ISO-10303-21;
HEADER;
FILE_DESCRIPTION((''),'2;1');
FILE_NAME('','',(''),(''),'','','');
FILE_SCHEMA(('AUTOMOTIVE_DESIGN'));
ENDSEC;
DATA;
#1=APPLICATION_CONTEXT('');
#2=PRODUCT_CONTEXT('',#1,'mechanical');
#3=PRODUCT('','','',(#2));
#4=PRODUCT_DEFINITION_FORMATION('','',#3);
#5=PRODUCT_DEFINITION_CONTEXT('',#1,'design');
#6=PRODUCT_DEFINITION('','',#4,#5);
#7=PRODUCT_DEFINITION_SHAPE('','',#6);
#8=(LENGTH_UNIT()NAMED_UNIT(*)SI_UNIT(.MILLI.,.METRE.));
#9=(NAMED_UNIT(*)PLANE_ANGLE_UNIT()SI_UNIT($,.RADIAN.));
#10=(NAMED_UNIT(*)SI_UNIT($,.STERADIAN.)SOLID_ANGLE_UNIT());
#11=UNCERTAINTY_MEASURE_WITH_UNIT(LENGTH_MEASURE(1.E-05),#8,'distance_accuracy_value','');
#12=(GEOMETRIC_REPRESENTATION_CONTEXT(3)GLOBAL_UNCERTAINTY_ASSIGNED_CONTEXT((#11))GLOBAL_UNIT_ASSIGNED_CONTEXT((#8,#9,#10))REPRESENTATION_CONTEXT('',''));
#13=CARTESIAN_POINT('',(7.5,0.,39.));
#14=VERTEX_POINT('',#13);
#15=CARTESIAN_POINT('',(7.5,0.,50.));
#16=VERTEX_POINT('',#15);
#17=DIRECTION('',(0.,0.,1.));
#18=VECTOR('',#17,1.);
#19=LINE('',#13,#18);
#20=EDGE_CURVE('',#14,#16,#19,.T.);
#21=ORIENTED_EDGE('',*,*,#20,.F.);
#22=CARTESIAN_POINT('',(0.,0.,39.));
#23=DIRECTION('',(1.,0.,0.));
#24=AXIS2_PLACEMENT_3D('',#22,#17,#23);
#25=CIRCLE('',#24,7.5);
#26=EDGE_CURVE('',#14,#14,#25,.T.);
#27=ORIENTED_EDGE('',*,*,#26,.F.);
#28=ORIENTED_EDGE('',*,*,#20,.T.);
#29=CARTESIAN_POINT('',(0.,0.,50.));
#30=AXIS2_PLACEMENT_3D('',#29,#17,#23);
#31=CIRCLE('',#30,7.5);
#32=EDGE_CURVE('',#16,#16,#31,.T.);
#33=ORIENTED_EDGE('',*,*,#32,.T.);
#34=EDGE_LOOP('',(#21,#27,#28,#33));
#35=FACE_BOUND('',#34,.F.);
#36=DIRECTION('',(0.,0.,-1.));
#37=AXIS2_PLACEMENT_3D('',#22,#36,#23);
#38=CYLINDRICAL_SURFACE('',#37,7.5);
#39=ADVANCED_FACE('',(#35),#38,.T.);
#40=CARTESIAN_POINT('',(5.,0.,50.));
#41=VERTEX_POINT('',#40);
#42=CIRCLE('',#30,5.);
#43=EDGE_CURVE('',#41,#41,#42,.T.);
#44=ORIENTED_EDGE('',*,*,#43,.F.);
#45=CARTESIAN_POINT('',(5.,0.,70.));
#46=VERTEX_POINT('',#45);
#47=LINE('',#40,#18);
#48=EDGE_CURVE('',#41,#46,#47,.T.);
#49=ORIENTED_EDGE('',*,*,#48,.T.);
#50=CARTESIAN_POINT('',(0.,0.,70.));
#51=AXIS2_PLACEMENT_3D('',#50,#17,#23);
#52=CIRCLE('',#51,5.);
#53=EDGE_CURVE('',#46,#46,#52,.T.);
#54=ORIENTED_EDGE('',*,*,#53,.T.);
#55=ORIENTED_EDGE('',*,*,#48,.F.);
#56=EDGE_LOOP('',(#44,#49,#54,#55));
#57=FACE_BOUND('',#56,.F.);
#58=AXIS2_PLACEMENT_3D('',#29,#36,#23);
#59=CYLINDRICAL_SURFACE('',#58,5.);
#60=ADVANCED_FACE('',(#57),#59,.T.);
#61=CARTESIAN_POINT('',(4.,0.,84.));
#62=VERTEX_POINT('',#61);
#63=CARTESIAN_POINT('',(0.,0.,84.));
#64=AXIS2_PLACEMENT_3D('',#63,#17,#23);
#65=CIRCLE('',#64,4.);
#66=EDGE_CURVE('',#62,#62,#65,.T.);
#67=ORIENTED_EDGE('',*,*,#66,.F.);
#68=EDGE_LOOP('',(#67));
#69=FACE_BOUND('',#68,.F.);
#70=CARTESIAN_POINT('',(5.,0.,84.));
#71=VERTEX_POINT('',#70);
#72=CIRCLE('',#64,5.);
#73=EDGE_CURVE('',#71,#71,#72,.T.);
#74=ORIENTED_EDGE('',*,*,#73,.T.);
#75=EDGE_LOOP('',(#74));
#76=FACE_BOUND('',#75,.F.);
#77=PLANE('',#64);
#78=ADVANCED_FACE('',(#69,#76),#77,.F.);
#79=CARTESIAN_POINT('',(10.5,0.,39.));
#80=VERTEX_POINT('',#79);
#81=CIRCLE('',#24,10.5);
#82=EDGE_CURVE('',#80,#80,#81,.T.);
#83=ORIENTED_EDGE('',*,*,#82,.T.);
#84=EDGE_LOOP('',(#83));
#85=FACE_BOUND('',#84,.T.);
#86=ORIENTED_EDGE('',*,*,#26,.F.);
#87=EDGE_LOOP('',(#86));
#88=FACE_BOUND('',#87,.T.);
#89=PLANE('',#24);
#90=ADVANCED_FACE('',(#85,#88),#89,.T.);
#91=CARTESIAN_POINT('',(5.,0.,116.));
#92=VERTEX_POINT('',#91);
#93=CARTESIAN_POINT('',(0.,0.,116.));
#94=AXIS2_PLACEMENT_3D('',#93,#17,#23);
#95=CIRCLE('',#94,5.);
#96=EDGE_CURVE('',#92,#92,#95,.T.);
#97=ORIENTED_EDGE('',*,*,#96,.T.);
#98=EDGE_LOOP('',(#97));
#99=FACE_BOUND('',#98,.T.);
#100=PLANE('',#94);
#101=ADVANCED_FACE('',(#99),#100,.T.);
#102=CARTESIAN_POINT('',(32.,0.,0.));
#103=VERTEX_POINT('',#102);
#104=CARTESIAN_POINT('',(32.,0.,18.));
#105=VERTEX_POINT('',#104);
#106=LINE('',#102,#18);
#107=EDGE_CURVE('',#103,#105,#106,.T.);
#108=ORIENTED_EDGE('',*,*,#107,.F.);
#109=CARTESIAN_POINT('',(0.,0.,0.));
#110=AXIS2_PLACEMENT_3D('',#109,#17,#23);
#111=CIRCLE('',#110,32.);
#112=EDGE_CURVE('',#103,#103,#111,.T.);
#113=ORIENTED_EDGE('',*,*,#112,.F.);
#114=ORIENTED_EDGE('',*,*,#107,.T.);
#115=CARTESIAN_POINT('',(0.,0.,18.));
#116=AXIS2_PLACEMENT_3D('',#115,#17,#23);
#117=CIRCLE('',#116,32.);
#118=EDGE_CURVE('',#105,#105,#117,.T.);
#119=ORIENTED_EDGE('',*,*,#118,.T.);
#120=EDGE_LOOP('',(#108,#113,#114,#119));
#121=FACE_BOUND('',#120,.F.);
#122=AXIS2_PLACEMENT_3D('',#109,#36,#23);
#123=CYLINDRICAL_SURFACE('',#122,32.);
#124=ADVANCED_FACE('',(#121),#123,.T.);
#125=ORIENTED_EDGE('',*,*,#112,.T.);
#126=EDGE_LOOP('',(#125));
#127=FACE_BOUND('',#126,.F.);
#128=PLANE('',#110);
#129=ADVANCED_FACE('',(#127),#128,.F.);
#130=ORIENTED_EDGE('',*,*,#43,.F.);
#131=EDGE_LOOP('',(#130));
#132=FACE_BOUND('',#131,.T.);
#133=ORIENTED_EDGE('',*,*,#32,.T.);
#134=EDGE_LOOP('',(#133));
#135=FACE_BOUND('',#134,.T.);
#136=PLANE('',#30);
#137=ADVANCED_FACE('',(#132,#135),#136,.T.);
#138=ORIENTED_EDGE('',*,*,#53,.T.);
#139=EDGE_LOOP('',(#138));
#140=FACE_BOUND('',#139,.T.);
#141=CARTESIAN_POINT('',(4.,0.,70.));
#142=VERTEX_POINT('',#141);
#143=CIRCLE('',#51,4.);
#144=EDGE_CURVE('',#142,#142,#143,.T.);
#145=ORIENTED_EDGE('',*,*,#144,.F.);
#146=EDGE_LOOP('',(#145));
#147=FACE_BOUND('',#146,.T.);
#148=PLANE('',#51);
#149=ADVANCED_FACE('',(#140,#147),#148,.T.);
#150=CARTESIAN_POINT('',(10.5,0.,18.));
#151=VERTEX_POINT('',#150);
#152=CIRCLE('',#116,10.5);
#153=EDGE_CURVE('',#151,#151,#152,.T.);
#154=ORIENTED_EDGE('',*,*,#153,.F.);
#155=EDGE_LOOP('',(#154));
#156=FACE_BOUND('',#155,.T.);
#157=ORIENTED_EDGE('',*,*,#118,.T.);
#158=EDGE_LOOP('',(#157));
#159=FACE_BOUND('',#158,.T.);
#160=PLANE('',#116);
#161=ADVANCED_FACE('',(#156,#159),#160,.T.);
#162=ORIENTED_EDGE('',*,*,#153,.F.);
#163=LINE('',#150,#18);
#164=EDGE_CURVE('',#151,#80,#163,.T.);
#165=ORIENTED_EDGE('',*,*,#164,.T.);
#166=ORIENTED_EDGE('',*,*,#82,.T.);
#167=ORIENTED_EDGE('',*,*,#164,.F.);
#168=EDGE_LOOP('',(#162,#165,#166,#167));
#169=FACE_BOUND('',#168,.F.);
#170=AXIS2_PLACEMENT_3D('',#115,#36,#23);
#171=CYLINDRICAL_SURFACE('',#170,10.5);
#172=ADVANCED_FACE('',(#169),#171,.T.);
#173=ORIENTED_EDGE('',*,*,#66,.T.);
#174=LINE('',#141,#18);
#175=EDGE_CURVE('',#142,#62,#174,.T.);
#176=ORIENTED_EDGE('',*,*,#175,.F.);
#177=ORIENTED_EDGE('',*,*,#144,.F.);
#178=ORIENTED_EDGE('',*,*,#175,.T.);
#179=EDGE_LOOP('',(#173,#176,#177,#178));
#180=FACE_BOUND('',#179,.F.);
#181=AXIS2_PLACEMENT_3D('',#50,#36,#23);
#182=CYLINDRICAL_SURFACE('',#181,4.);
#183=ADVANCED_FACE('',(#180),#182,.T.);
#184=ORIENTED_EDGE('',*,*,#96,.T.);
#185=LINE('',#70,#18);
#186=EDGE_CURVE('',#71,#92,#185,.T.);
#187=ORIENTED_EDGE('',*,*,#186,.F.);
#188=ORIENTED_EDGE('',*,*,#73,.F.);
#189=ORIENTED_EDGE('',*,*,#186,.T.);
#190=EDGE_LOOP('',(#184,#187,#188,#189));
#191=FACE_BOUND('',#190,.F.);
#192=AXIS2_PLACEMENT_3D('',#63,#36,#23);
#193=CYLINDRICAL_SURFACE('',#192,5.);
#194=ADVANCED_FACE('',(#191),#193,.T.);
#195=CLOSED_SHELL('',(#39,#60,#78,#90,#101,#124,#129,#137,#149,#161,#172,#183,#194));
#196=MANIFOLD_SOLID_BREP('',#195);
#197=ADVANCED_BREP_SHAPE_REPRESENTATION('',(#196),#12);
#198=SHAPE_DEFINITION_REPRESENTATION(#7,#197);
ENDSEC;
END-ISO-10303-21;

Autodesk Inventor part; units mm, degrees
ref_plane "YZ Plane" through (0, 0, 0) normal (1, 0, 0) x (0, 1, 0)
ref_plane "XZ Plane" through (0, 0, 0) normal (0, 1, 0) x (-1, 0, 0)
ref_plane "XY Plane" through (0, 0, 0) normal (0, 0, 1) x (1, 0, 0)
sketch "Sketch1" plane through (0, 0, 0) normal (0, 0, 1) x (1, 0, 0)
  circle A0 centre (0, 0) radius 1625.6
  circle A1 centre (0, 0) radius 32
  line L0 (0, 32) -> (0, -32) construction
  line L1 (-32, 0) -> (32, 0) construction
  dimension "d2" = 64
extrude "Extrusion1" add sketch "Sketch1" along normal blind 18 contours A1
sketch "Sketch2" plane through (0, 0, 18) normal (0, 0, 1) x (1, 0, 0)
  circle A0 centre (0, 0) radius 10.5
  dimension "d7" = 21
extrude "Extrusion2" add sketch "Sketch2" along normal blind 21
sketch "Sketch3" plane through (0, 0, 39) normal (0, 0, 1) x (1, 0, 0)
  circle A0 centre (0, 0) radius 7.5
  dimension "d10" = 15
extrude "Extrusion3" add sketch "Sketch3" along normal blind 11
sketch "Sketch4" plane through (0, 0, 50) normal (0, 0, 1) x (1, 0, 0)
  circle A0 centre (0, 0) radius 5
  dimension "d13" = 10
extrude "Extrusion4" add sketch "Sketch4" along normal blind 20
sketch "Sketch5" plane through (0, 0, 70) normal (0, 0, 1) x (1, 0, 0)
  circle A0 centre (0, 0) radius 4
  dimension "d16" = 8
extrude "Extrusion5" add sketch "Sketch5" along normal blind 14
sketch "Sketch6" plane through (0, 0, 84) normal (0, 0, 1) x (1, 0, 0)
  circle A0 centre (0, 0) radius 5
  dimension "d19" = 10
extrude "Extrusion6" add sketch "Sketch6" along normal blind 32
